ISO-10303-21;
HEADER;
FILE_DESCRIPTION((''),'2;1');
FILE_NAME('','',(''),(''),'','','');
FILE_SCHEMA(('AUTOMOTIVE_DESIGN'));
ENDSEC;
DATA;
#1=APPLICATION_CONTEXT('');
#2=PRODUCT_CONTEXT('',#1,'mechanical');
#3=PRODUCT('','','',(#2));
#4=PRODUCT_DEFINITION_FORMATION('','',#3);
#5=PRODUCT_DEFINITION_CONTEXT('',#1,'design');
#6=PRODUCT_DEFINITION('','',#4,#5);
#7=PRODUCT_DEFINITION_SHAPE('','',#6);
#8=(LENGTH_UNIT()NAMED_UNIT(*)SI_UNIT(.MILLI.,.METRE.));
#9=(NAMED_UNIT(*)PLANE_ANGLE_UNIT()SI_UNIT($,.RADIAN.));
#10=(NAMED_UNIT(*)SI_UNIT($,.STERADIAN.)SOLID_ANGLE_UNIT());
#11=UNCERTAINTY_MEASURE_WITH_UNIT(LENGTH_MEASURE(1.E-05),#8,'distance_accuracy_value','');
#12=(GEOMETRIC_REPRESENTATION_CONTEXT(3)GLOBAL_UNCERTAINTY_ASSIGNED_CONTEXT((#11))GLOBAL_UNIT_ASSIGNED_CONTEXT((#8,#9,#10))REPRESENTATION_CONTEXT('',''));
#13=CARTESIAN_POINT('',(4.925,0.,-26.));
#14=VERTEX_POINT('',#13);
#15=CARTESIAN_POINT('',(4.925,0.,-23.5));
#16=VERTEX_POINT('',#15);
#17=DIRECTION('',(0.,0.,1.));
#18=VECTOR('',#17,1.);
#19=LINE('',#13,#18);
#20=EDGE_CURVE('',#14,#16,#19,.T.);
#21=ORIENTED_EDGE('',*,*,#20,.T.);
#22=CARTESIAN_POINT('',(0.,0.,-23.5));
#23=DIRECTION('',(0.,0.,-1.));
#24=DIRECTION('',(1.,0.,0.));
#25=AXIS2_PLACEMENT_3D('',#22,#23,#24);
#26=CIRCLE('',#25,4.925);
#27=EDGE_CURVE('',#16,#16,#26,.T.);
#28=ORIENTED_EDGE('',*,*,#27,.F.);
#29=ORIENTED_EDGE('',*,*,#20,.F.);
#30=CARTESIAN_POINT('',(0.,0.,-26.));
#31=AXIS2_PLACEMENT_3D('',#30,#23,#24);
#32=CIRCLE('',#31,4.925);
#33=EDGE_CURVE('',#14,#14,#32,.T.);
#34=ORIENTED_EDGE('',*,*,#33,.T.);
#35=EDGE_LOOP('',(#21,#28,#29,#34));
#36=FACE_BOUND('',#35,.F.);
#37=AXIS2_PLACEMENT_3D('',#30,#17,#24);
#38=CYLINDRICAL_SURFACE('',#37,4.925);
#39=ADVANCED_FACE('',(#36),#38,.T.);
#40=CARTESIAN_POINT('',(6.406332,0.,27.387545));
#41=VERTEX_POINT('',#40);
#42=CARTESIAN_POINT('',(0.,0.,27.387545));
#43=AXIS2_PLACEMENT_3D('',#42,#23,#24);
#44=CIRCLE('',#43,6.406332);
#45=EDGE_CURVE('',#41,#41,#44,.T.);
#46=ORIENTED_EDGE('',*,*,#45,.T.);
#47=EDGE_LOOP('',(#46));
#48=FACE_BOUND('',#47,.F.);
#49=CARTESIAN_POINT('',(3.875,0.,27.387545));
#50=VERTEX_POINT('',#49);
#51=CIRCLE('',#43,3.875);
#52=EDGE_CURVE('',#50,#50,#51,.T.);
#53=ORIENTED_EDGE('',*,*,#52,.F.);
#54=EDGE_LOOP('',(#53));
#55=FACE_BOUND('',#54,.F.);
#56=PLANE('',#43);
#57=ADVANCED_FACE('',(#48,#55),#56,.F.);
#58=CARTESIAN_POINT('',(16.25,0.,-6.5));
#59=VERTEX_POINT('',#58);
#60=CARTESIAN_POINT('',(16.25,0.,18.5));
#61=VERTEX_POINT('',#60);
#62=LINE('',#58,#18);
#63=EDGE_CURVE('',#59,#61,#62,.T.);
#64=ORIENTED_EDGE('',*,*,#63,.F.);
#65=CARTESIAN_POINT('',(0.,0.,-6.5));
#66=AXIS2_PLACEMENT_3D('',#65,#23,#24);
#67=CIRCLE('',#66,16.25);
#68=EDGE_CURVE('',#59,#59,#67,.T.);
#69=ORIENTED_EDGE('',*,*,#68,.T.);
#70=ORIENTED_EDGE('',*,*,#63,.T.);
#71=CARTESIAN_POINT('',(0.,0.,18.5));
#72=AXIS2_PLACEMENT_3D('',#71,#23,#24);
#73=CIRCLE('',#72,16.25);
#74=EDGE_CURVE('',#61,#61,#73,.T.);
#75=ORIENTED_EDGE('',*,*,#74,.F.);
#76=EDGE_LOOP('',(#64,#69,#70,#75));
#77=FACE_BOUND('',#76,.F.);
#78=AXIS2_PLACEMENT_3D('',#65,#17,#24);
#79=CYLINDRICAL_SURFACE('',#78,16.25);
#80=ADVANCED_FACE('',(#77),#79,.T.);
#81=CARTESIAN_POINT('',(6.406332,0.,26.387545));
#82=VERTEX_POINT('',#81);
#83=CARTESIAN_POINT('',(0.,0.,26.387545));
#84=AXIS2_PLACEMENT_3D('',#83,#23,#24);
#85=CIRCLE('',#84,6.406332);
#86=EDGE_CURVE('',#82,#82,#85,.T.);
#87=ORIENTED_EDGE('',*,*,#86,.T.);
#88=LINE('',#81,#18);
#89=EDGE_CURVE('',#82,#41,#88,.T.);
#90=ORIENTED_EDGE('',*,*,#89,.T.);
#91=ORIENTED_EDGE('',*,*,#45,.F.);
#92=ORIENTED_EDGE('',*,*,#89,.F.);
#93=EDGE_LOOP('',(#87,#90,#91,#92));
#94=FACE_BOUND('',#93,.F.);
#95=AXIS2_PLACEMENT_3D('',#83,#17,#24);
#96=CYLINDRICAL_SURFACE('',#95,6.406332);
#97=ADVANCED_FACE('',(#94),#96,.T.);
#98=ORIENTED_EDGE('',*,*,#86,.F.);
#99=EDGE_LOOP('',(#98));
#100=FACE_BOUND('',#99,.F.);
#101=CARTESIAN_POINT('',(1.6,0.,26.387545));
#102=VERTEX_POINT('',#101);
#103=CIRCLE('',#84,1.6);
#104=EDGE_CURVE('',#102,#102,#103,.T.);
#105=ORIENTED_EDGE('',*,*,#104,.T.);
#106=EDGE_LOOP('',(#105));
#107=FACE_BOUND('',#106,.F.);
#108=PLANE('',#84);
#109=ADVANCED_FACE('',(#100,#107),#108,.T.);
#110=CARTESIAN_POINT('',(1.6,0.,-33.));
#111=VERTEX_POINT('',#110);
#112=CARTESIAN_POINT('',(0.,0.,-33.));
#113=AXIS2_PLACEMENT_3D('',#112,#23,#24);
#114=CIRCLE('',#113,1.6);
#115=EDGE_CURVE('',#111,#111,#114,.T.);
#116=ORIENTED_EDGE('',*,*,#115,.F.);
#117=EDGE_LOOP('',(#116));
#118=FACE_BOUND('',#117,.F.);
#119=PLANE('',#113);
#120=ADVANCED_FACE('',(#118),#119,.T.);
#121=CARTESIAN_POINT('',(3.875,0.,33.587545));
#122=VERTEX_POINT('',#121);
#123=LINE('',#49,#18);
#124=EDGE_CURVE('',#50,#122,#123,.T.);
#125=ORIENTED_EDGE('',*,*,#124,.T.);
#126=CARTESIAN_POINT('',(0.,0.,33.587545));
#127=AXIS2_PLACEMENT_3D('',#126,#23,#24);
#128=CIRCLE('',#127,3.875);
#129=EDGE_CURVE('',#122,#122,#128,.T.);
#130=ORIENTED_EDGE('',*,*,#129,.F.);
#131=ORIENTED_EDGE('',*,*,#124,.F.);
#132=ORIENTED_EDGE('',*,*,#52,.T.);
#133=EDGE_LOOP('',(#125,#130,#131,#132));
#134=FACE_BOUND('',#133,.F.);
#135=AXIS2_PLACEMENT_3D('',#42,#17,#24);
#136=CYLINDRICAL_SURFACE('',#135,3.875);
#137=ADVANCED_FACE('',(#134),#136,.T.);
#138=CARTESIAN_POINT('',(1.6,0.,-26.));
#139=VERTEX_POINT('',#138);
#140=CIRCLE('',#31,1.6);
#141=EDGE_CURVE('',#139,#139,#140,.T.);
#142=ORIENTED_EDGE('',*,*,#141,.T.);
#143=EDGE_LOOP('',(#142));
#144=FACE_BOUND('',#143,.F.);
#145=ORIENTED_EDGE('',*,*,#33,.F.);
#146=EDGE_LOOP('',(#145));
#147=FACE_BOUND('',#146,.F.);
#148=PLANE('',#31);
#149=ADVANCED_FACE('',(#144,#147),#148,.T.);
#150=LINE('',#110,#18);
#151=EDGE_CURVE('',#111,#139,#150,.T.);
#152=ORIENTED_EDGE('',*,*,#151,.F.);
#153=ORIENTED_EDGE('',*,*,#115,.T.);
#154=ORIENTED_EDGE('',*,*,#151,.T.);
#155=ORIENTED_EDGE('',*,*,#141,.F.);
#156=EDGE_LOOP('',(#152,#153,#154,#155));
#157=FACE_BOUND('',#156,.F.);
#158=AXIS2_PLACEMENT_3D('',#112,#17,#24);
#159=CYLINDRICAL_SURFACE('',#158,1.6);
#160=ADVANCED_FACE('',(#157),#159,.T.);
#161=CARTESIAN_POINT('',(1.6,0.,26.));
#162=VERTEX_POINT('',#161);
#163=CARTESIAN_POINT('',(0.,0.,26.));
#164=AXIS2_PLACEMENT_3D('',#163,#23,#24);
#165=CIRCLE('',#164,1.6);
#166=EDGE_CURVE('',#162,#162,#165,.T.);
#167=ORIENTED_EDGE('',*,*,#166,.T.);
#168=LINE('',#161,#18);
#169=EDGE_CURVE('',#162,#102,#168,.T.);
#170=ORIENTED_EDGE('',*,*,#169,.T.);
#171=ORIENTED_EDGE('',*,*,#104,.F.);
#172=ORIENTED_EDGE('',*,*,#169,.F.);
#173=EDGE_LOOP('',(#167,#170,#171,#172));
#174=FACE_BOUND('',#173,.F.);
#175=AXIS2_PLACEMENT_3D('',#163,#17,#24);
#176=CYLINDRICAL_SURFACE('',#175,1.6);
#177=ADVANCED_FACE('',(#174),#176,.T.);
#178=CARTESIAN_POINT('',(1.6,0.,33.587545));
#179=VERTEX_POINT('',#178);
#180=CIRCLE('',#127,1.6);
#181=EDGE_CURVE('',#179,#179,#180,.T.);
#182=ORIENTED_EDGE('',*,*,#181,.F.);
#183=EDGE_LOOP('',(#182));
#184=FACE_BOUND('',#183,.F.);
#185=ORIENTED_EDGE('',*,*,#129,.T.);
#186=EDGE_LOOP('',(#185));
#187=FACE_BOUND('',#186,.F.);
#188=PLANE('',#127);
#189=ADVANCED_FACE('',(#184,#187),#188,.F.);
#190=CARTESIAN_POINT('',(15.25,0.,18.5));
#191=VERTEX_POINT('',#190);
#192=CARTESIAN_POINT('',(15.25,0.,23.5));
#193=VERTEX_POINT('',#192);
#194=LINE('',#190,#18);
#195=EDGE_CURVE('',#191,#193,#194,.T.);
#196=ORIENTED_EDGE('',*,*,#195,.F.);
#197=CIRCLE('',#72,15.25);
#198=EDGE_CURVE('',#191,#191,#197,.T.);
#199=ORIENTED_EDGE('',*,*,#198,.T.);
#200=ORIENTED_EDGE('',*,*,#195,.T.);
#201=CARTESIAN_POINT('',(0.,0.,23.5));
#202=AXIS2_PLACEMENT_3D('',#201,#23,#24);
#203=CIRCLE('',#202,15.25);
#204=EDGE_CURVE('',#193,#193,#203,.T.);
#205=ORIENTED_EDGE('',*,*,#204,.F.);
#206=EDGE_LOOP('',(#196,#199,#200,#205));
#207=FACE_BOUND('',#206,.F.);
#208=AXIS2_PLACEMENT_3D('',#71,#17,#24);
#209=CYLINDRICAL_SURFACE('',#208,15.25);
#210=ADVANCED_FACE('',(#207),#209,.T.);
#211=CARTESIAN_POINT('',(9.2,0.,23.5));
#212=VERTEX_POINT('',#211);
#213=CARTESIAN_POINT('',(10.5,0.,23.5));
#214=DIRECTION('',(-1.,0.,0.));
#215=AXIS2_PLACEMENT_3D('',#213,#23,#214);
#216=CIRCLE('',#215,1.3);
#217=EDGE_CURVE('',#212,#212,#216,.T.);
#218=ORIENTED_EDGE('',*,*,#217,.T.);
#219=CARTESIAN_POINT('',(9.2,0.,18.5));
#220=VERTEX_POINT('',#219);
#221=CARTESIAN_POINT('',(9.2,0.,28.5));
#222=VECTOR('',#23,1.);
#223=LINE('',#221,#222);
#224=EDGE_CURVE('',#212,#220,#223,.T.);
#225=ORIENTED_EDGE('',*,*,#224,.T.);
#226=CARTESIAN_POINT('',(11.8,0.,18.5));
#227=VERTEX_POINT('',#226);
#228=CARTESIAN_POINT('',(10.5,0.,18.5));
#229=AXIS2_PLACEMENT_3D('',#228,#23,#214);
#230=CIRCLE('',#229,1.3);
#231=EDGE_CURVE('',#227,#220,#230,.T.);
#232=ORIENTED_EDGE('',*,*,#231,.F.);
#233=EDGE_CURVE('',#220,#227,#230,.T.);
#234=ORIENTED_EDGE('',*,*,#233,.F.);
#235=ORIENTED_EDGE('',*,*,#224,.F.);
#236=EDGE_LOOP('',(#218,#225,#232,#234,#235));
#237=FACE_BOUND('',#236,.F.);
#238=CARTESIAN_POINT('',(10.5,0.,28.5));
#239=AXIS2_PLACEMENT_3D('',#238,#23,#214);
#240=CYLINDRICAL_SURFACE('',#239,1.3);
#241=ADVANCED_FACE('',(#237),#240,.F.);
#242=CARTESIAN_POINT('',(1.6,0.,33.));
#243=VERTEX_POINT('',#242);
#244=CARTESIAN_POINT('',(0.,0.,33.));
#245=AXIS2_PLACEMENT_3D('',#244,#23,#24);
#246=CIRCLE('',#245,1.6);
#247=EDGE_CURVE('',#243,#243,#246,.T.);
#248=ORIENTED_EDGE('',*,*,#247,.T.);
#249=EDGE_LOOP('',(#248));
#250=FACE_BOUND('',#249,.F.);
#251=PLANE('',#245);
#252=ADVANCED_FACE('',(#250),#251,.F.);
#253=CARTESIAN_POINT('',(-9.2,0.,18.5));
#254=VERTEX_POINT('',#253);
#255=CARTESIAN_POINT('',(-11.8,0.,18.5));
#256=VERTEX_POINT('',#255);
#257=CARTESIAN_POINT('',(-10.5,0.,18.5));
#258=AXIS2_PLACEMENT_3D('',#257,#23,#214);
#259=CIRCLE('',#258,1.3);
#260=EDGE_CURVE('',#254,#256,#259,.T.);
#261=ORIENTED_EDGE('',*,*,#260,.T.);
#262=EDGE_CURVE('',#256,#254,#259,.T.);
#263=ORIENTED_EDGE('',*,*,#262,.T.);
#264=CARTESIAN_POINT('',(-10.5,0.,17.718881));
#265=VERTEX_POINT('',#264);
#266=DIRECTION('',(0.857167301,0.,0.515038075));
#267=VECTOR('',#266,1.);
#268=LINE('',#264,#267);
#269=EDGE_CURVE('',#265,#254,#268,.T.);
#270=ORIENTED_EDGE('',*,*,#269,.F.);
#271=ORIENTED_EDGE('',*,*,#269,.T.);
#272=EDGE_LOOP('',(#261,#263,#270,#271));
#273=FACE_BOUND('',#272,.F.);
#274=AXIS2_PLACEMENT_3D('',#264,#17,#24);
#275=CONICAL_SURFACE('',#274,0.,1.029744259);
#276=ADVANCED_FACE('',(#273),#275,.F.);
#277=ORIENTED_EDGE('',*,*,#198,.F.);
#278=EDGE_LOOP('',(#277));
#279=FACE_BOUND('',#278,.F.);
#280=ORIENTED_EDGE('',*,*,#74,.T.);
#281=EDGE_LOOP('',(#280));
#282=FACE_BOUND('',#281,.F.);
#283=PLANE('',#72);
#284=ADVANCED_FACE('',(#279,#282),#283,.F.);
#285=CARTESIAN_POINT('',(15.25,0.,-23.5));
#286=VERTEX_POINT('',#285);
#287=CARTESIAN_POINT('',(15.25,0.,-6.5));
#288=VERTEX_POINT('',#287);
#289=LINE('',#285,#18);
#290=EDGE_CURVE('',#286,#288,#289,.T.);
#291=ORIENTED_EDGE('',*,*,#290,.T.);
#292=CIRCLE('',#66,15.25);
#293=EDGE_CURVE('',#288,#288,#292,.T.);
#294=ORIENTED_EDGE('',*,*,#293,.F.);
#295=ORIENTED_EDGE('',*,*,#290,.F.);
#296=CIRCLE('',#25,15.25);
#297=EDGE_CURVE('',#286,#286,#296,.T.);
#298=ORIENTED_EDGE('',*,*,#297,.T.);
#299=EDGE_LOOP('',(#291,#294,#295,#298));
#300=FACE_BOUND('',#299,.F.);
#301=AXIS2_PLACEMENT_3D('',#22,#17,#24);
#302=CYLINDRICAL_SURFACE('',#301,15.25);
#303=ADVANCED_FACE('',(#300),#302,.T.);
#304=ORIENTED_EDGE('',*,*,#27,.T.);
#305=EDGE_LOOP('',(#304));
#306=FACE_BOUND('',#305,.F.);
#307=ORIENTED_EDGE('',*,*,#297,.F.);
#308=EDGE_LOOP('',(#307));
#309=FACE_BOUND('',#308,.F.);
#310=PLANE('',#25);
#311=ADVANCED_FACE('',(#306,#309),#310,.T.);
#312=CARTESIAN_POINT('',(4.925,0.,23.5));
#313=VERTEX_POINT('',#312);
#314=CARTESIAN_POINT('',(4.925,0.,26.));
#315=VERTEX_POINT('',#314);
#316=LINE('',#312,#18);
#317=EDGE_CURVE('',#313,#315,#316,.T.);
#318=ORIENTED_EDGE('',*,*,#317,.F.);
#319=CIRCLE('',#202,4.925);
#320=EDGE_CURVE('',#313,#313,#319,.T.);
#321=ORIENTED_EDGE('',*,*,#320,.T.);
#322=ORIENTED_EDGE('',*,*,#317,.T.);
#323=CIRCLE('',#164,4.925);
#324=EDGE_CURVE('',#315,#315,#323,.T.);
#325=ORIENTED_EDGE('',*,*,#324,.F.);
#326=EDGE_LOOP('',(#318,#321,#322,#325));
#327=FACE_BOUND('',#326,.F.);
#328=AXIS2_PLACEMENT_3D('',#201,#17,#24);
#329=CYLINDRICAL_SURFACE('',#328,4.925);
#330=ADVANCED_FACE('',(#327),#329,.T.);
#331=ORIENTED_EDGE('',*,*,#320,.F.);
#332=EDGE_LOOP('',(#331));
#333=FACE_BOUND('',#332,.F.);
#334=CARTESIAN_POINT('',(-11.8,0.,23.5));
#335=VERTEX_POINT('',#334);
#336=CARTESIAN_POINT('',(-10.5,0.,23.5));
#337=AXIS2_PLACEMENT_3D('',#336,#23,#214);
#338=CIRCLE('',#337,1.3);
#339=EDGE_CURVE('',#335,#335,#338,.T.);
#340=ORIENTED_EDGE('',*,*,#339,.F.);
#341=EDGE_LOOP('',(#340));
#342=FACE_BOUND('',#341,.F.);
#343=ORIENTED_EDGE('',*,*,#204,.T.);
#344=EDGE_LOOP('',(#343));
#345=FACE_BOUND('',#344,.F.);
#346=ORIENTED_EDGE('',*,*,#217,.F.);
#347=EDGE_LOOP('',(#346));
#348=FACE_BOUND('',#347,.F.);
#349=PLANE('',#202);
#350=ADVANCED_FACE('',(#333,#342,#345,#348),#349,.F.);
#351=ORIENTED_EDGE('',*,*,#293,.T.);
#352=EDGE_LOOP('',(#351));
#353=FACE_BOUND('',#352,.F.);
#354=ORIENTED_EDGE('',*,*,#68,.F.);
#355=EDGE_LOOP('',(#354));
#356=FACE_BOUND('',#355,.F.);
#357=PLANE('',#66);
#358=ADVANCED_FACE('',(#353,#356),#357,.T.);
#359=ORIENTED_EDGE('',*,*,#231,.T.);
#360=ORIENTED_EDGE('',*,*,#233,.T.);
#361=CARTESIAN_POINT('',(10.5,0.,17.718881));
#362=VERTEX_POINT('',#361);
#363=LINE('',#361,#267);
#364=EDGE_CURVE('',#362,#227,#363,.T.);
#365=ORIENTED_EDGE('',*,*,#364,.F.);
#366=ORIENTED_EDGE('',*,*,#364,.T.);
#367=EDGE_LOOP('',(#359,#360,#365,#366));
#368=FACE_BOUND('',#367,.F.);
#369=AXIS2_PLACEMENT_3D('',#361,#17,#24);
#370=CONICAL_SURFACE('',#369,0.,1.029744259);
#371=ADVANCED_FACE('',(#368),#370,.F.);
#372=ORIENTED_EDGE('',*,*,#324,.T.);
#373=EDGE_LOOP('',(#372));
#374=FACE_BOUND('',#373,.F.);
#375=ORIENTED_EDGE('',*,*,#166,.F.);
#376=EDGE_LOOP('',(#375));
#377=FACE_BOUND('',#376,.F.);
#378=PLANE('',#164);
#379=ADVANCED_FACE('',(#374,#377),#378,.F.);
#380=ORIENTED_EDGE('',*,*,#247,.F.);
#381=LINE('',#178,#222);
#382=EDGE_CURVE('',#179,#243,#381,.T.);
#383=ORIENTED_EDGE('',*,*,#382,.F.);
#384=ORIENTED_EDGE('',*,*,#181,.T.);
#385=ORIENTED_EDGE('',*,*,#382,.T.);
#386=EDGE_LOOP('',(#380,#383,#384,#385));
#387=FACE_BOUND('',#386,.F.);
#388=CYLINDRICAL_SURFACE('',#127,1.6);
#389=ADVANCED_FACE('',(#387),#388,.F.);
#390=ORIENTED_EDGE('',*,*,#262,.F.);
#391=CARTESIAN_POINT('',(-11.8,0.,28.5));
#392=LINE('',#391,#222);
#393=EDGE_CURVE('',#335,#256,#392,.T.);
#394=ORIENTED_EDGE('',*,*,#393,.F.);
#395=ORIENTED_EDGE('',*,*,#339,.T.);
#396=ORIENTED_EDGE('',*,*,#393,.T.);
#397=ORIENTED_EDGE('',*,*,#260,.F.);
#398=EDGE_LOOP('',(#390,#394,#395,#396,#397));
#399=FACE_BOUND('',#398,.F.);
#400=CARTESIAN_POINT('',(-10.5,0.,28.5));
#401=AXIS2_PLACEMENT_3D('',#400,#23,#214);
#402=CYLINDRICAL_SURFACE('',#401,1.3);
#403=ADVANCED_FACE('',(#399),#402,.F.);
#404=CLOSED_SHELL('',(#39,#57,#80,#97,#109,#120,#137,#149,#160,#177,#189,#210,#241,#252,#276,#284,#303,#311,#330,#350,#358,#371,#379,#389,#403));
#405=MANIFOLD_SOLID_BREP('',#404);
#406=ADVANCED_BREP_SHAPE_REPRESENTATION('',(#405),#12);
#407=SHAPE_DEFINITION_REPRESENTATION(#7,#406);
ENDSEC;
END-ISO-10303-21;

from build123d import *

# Parameters (mm, degrees)
F3_D     = 2.6
F3_DEPTH = 5
F3_TIP   = 0.7811188047


with BuildPart() as f1:
    # F0 (on Front) → F1 (revolve)
    with BuildSketch(Plane.XZ):
        Polygon((1.6, 33), (0, 33), (0, -33), (1.6, -33), (1.6, -26), (4.925, -26), (4.925, -23.5), (15.25, -23.5), (15.25, -6.5), (16.25, -6.5), (16.25, 18.5), (15.25, 18.5), (15.25, 23.5), (4.925, 23.5), (4.925, 26), (1.6, 26), align=None)
    revolve(axis=Axis((0, 0, 0), (0, 0, -1)))

    # F3
    with Locations(Plane.XY.offset(23.5)):
        with Locations((-10.5, 0), (10.5, 0)):
            Hole(F3_D / 2, depth=F3_DEPTH)
            with Locations((0, 0, -(F3_DEPTH + F3_TIP / 2))):  # 118° drill point
                Cone(0, F3_D / 2, F3_TIP, mode=Mode.SUBTRACT)

    # F4 (on Front) → F5 (revolve)
    with BuildSketch(Plane.XZ):
        Polygon((3.875, 27.3875447527), (3.875, 33.5875447527), (1.6, 33.5875447527), (1.6, 26.3875447527), (6.4063321701, 26.3875447527), (6.4063321701, 27.3875447527), align=None)
    revolve(axis=Axis((0, 0, 0), (0, 0, -1)))


solid = f1.part
